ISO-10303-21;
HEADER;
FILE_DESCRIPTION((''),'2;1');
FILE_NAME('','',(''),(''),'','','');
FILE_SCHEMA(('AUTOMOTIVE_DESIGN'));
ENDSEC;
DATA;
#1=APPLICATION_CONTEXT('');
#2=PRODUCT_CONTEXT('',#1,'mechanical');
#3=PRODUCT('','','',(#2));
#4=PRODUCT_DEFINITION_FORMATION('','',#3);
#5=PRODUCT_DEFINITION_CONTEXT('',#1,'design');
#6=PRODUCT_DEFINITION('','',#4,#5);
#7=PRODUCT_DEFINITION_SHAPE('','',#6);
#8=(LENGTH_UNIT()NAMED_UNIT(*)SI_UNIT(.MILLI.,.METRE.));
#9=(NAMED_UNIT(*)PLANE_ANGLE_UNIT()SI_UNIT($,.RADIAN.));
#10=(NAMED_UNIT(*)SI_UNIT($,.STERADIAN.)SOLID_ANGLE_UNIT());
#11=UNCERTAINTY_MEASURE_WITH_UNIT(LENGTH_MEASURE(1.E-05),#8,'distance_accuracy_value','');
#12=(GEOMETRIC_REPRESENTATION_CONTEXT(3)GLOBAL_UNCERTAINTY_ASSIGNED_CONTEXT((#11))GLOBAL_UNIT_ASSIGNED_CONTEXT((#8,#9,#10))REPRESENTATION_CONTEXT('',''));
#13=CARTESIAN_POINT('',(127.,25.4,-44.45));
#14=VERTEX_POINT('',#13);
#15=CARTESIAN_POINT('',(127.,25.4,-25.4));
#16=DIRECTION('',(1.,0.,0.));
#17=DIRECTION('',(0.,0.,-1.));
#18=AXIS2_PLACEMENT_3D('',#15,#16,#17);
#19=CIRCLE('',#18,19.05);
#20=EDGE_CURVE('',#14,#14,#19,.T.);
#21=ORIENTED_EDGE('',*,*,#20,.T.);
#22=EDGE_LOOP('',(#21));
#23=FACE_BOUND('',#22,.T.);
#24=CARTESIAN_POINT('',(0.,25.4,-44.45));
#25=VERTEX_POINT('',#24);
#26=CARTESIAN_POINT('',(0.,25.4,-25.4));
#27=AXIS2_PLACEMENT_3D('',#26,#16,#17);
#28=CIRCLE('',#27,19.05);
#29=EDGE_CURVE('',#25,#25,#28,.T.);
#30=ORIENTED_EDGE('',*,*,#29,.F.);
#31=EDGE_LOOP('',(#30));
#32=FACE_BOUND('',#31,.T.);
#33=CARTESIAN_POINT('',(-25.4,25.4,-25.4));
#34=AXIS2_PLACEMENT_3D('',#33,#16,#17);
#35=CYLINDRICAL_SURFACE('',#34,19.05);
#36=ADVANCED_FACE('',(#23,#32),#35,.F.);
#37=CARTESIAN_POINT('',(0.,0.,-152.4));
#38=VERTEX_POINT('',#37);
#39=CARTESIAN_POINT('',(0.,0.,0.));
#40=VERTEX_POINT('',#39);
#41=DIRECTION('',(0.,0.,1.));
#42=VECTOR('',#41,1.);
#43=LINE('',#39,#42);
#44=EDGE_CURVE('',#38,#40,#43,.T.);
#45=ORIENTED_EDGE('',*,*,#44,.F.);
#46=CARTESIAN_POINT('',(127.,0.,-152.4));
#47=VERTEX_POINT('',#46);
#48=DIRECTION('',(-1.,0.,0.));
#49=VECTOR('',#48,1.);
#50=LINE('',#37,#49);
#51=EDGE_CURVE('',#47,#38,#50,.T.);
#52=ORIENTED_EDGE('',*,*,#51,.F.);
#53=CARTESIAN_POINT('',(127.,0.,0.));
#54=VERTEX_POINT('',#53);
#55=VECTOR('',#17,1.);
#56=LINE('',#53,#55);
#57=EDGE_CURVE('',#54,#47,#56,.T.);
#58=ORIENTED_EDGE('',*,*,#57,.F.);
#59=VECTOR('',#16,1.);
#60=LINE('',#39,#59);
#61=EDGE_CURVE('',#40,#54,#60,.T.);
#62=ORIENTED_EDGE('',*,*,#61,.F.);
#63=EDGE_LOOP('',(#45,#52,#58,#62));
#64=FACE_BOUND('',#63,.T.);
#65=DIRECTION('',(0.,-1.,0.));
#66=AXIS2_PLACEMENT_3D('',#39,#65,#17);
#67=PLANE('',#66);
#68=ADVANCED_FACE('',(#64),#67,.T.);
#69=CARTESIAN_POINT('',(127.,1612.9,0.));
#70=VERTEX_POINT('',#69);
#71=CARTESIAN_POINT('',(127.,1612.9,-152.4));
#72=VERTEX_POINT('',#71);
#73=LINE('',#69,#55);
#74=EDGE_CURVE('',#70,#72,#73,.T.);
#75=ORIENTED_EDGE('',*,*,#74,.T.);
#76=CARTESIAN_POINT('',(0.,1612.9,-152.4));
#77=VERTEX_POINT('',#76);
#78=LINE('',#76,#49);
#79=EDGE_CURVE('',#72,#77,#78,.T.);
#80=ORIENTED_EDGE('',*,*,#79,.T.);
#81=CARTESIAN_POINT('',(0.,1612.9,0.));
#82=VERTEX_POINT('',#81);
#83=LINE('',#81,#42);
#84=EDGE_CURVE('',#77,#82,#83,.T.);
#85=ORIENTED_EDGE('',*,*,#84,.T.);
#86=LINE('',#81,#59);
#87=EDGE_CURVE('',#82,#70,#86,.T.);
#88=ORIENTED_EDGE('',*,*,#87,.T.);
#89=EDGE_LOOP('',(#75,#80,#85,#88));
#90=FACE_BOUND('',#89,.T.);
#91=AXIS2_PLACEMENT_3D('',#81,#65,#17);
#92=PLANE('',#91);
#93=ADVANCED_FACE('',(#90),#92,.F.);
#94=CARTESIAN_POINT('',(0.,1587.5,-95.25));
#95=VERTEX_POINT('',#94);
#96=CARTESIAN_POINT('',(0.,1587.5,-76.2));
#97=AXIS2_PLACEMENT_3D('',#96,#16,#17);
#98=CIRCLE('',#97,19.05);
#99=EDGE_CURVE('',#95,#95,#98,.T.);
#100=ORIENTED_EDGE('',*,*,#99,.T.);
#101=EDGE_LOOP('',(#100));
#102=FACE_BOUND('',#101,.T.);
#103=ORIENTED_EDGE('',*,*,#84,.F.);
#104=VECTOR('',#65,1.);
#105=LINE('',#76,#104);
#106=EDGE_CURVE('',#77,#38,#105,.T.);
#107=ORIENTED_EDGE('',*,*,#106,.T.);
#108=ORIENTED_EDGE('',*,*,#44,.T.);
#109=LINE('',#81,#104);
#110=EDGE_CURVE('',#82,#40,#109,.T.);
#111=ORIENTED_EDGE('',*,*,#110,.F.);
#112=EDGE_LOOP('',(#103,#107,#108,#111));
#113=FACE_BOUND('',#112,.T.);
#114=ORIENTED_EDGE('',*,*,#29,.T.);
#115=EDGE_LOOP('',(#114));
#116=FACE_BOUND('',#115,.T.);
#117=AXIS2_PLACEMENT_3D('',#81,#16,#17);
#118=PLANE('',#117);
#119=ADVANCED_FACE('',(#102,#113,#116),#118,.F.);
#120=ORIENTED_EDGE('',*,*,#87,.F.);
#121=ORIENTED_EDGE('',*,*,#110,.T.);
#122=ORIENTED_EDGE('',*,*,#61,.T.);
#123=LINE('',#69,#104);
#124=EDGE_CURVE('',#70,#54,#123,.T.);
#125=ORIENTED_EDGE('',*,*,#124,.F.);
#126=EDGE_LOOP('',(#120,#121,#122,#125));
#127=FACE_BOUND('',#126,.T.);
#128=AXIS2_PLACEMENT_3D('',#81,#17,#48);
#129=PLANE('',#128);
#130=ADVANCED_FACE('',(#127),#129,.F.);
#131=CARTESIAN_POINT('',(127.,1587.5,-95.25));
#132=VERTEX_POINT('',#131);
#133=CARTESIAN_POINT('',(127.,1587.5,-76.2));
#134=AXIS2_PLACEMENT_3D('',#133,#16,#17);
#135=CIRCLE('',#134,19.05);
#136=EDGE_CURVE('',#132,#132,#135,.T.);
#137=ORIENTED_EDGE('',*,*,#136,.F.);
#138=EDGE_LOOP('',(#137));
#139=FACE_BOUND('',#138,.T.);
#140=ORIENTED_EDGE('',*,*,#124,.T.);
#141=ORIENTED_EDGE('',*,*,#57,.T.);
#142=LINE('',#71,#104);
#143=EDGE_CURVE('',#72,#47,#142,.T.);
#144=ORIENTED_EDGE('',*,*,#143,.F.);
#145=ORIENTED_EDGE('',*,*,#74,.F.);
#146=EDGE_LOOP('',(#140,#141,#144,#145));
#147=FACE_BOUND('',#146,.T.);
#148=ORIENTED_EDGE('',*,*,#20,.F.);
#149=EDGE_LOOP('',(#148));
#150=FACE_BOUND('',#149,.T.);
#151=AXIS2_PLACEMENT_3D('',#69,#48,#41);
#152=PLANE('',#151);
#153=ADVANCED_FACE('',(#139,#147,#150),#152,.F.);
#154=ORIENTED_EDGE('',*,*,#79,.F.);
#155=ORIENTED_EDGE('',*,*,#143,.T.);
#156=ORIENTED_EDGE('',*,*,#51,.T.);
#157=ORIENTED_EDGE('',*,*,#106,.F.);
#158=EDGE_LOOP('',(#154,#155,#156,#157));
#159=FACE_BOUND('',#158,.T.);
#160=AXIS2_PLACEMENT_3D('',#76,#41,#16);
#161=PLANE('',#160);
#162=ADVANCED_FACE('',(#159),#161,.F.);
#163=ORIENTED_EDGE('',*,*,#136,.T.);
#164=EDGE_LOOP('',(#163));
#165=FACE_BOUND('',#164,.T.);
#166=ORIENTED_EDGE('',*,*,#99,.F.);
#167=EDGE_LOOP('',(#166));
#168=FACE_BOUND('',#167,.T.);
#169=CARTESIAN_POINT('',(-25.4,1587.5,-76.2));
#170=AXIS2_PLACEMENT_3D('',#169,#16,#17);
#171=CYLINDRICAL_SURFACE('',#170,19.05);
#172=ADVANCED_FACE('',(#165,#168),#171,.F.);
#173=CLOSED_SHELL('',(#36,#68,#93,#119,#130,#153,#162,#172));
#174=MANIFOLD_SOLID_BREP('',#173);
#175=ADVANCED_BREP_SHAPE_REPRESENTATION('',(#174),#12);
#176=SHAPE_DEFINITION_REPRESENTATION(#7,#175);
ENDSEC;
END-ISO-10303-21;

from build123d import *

# Parameters (mm, degrees)
SKETCH1_W           = 127
SKETCH1_H           = 152.4
BOSS_EXTRUDE2_DEPTH = 1612.9
SKETCH2_R           = 19.05
CUT_EXTRUDE1_DEPTH  = 152.4
SKETCH3_R           = 19.05
CUT_EXTRUDE2_DEPTH  = 152.4


with BuildPart() as part:
    # Sketch1 → Boss-Extrude2 (new body)
    with BuildSketch(Plane(origin=(0, 0, 0), x_dir=(1, 0, 0), z_dir=(0, 1, 0))):
        with Locations((63.5, 76.2)):
            Rectangle(SKETCH1_W, SKETCH1_H)
    extrude(amount=BOSS_EXTRUDE2_DEPTH)

    # Sketch2 → Cut-Extrude1 (cut)
    with BuildSketch(Plane(origin=(127, 0, 0), x_dir=(0, 0, -1), z_dir=(1, 0, 0))):
        with Locations((25.4, 25.4)):
            Circle(SKETCH2_R)
    extrude(amount=-CUT_EXTRUDE1_DEPTH, mode=Mode.SUBTRACT)

    # Sketch3 → Cut-Extrude2 (cut)
    with BuildSketch(Plane(origin=(127, 0, 0), x_dir=(0, 0, -1), z_dir=(1, 0, 0))):
        with Locations((76.2, 1587.5)):
            Circle(SKETCH3_R)
    extrude(amount=-CUT_EXTRUDE2_DEPTH, mode=Mode.SUBTRACT)


solid = part.part
